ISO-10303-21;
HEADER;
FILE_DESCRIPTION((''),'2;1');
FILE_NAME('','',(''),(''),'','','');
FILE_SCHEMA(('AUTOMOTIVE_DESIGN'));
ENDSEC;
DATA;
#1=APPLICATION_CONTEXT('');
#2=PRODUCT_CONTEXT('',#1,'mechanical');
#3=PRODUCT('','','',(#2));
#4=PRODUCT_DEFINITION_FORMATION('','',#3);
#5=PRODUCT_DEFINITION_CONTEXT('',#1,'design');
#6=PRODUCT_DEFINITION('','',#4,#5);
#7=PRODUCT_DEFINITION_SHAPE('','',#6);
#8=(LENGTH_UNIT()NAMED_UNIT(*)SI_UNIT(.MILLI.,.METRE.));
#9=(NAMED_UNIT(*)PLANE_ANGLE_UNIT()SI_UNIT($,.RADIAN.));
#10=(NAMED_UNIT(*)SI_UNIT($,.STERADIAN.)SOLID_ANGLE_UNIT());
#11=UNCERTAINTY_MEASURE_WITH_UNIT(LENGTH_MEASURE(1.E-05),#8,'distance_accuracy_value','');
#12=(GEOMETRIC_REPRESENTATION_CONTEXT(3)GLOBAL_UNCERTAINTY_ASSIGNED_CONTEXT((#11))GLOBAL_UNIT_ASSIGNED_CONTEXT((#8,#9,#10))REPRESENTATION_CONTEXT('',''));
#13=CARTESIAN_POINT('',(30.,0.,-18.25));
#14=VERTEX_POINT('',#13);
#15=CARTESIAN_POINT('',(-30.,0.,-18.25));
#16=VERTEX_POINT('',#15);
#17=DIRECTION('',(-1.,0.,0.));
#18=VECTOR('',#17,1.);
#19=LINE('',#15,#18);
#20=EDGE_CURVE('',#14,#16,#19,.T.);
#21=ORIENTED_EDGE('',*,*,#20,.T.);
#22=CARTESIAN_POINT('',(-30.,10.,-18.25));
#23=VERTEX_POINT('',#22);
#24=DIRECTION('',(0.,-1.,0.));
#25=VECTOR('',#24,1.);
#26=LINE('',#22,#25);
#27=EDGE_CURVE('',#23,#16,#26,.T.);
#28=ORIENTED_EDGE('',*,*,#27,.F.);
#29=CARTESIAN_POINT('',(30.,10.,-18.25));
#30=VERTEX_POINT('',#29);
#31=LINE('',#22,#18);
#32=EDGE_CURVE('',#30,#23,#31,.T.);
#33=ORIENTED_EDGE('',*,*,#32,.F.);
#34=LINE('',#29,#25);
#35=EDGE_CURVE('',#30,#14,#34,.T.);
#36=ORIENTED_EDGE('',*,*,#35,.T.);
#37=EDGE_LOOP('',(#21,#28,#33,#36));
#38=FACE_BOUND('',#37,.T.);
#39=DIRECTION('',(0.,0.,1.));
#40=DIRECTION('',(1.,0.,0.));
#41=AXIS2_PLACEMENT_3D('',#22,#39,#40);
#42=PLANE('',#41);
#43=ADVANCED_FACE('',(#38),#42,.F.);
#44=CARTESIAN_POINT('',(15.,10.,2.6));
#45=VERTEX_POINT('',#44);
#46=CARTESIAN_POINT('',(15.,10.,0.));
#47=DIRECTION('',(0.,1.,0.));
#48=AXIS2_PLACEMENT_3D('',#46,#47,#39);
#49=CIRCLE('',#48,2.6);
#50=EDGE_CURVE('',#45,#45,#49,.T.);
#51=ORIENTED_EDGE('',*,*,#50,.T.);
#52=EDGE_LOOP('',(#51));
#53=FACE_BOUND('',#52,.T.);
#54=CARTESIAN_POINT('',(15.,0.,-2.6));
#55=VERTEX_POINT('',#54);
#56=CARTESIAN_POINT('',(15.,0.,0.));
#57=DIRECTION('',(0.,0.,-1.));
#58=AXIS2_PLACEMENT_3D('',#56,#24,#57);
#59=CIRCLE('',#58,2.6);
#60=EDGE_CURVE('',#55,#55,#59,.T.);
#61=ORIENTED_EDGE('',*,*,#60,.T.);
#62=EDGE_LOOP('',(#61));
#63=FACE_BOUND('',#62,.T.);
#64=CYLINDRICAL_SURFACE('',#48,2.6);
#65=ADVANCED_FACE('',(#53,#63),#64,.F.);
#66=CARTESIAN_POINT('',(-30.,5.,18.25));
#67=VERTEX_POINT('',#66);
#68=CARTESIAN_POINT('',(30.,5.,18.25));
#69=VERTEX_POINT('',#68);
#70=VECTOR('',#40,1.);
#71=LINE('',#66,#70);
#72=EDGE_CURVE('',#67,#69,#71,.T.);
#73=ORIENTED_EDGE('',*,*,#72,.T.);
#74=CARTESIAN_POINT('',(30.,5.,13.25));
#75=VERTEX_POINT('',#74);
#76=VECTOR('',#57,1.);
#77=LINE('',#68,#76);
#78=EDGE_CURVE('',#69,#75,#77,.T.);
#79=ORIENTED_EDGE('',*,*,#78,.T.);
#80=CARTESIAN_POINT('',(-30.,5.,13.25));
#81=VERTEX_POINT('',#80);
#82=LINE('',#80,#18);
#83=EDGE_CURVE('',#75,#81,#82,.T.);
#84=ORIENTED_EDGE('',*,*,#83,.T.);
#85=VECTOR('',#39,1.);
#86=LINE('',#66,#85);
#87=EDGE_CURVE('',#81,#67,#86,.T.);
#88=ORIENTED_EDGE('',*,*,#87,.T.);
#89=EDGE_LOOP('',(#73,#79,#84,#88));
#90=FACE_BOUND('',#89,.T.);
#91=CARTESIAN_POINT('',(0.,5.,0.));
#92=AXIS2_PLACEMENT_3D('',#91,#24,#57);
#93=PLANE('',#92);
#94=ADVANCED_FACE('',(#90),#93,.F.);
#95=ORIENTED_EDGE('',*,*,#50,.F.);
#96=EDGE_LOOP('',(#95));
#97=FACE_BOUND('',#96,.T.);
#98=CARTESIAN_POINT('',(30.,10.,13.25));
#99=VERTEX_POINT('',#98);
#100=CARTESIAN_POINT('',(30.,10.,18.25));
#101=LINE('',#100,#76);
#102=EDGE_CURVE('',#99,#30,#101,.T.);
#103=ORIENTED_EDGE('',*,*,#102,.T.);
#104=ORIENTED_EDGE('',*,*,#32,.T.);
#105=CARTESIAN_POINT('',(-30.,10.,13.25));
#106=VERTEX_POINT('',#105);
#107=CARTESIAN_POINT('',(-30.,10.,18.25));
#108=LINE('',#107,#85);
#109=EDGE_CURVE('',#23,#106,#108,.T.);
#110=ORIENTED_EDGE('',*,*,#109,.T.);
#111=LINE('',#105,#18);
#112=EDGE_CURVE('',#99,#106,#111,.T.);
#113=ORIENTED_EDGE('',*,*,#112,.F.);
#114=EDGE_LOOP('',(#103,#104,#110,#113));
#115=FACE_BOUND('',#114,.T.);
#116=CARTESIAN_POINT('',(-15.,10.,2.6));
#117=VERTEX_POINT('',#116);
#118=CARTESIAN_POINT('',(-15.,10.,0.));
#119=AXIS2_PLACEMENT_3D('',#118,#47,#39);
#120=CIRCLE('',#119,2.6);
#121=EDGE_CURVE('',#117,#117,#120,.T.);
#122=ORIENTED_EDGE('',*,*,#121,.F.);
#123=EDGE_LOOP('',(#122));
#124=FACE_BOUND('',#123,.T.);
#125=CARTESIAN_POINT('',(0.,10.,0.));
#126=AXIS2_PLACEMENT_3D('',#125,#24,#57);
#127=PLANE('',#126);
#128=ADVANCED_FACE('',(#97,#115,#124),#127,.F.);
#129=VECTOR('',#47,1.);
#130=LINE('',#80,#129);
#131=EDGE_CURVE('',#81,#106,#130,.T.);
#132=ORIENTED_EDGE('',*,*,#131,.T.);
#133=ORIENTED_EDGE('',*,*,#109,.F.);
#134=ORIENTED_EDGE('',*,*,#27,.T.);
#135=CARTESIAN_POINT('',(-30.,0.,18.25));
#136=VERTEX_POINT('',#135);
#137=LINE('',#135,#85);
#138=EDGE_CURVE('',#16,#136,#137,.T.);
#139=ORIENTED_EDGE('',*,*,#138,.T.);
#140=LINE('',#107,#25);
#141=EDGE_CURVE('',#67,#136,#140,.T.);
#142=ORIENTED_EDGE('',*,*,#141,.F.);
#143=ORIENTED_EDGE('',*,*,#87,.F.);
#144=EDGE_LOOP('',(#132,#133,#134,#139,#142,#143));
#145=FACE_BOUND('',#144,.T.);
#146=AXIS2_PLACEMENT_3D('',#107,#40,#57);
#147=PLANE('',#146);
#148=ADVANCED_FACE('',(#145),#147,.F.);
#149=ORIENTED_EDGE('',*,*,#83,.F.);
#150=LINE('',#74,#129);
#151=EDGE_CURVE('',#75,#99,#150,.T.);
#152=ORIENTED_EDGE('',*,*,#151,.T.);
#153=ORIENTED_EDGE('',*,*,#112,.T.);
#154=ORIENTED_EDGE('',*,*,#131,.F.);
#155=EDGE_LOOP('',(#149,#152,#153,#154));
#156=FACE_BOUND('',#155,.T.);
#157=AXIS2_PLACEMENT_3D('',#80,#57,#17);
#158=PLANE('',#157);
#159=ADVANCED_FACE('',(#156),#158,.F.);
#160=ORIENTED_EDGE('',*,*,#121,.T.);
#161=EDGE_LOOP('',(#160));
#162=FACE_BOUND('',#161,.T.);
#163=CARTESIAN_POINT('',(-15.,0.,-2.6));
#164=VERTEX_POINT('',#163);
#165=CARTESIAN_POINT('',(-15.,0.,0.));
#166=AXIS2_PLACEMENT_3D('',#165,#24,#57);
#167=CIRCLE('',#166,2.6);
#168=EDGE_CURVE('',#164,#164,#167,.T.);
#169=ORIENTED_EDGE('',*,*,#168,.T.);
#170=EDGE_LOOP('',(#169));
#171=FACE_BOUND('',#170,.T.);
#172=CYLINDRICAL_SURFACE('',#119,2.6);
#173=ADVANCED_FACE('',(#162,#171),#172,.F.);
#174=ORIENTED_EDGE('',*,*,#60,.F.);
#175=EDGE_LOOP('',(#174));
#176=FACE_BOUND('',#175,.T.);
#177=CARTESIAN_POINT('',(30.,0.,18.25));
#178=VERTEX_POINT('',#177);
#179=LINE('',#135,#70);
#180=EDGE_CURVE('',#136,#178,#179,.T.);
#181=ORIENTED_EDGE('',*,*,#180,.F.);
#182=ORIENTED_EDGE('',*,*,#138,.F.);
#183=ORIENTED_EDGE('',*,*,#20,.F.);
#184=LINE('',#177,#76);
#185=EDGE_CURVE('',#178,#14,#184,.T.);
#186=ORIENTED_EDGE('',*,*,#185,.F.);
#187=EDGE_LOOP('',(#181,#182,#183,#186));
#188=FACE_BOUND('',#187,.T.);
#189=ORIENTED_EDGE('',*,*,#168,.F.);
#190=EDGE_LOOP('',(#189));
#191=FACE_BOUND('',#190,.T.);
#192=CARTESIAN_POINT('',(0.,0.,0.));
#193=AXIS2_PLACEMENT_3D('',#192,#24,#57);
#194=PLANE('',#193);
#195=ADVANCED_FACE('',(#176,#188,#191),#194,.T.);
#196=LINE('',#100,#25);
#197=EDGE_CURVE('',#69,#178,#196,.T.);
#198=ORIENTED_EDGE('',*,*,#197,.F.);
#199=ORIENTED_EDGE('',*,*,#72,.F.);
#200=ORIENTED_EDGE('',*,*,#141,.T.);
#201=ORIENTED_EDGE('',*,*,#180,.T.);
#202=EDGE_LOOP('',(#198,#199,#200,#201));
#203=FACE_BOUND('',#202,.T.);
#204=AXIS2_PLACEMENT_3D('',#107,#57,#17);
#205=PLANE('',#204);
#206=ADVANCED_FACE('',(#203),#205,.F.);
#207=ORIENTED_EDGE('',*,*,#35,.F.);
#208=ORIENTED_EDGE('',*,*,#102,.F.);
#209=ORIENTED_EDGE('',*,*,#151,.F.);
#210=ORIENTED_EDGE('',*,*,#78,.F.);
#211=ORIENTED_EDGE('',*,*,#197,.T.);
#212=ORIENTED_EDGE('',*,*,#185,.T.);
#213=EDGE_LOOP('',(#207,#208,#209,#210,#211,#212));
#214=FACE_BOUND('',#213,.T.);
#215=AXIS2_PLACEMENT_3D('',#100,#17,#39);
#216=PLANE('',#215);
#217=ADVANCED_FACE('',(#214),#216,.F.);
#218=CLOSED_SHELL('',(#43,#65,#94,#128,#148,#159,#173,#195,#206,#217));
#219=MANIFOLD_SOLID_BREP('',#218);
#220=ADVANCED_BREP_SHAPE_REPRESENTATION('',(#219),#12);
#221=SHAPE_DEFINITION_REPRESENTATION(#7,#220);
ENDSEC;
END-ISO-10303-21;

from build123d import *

# Parameters (mm, degrees)
SKETCH1_W                   = 60
SKETCH1_H                   = 36.5
BOSS_EXTRUDE1_DEPTH         = 10
SKETCH2_W                   = 60
SKETCH2_H                   = 5
CUT_EXTRUDE1_DEPTH          = 5
TAP_DRILL_FOR_M5_TAP1_D     = 5.2
TAP_DRILL_FOR_M5_TAP1_DEPTH = 46
TAP_DRILL_FOR_M5_TAP1_TIP   = 1.562237609


with BuildPart() as part:
    # Sketch1 → Boss-Extrude1 (new body)
    with BuildSketch(Plane(origin=(0, 0, 0), x_dir=(1, 0, 0), z_dir=(0, 1, 0))):
        Rectangle(SKETCH1_W, SKETCH1_H)
    extrude(amount=BOSS_EXTRUDE1_DEPTH)

    # Sketch2 → Cut-Extrude1 (cut)
    with BuildSketch(Plane(origin=(0, 10, 0), x_dir=(1, 0, 0), z_dir=(0, 1, 0))):
        with Locations((0, -15.75)):
            Rectangle(SKETCH2_W, SKETCH2_H)
    extrude(amount=-CUT_EXTRUDE1_DEPTH, mode=Mode.SUBTRACT)

    # Tap Drill for M5 Tap1
    with Locations(Plane(origin=(-15, 10, 0), x_dir=(0, 0, 1), z_dir=(0, 1, 0))):
        with Locations((0, 0), (0, 30)):
            Hole(TAP_DRILL_FOR_M5_TAP1_D / 2, depth=TAP_DRILL_FOR_M5_TAP1_DEPTH)
            with Locations((0, 0, -(TAP_DRILL_FOR_M5_TAP1_DEPTH + TAP_DRILL_FOR_M5_TAP1_TIP / 2))):  # 118° drill point
                Cone(0, TAP_DRILL_FOR_M5_TAP1_D / 2, TAP_DRILL_FOR_M5_TAP1_TIP, mode=Mode.SUBTRACT)


solid = part.part
